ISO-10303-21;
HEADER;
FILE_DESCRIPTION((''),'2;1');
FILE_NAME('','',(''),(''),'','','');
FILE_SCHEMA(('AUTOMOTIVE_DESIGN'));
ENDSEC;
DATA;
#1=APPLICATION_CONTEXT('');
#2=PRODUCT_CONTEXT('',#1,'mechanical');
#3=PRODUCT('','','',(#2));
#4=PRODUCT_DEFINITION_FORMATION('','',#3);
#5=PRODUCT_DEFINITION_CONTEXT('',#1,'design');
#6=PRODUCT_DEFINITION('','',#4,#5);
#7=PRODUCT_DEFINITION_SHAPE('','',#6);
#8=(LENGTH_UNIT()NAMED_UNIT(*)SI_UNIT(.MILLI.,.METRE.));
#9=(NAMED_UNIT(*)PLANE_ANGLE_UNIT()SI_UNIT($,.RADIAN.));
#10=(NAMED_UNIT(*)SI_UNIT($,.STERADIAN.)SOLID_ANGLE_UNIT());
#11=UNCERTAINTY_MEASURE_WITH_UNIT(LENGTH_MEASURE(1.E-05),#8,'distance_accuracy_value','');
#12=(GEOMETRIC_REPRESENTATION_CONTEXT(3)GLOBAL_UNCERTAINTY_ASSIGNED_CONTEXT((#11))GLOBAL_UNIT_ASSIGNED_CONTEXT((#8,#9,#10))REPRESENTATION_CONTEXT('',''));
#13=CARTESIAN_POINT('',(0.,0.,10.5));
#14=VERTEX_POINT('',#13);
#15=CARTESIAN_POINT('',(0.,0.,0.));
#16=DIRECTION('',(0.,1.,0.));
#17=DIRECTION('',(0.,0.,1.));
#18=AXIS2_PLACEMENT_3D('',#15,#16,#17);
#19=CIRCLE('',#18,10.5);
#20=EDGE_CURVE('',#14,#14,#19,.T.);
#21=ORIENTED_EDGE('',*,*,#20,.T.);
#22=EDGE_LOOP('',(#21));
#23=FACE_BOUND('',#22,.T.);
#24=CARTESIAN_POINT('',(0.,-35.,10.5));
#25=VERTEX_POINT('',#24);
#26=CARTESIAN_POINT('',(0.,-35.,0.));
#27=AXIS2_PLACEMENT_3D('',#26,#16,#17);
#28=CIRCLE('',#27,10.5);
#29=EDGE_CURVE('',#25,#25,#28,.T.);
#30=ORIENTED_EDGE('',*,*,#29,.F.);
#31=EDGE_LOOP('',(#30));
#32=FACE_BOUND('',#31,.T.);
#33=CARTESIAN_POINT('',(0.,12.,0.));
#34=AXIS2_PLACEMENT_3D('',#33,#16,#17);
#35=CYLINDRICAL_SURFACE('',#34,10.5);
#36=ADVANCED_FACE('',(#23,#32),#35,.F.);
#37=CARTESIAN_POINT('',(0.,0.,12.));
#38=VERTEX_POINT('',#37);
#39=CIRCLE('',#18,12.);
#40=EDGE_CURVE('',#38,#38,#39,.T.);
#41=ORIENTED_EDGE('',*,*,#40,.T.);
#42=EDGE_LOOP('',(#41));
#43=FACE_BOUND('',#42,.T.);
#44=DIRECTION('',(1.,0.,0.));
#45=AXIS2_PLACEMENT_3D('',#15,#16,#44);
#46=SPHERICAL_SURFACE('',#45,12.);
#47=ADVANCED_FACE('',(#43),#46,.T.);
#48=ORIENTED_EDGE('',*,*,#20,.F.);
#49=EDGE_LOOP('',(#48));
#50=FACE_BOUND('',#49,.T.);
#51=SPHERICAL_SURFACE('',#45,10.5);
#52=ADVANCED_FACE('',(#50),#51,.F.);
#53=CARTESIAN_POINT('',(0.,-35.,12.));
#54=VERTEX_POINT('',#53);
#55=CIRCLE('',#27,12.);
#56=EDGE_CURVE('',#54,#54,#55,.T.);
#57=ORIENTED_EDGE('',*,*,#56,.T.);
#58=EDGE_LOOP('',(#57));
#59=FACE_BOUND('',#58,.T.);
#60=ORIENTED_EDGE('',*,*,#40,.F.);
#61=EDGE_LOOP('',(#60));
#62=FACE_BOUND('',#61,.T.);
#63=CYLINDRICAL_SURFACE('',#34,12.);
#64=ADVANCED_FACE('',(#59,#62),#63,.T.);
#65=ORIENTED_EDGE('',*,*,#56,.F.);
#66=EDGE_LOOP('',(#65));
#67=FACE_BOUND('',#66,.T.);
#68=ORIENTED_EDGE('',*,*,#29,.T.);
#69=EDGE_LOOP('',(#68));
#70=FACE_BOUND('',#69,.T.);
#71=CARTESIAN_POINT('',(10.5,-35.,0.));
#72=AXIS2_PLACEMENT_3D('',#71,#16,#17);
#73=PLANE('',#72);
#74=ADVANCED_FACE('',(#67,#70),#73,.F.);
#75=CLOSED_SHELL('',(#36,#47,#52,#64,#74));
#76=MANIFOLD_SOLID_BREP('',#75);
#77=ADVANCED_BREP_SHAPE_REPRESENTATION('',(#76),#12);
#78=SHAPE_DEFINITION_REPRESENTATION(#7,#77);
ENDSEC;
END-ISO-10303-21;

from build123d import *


with BuildPart() as part:
    # Sketch1 → Revolve1 (revolve)
    with BuildSketch(Plane.XY):
        with BuildLine():
            Line((12, 0), (12, -35))
            Line((12, -35), (10.5, -35))
            Line((10.5, -35), (10.5, 0))
            ThreePointArc((10.5, 0), (7.424621202, 7.424621202), (0, 10.5))
            Line((0, 10.5), (0, 12))
            ThreePointArc((0, 12), (8.485281374, 8.485281374), (12, 0))
        make_face()
    revolve(axis=Axis((0, 12, 0), (0, -1, 0)))


solid = part.part
